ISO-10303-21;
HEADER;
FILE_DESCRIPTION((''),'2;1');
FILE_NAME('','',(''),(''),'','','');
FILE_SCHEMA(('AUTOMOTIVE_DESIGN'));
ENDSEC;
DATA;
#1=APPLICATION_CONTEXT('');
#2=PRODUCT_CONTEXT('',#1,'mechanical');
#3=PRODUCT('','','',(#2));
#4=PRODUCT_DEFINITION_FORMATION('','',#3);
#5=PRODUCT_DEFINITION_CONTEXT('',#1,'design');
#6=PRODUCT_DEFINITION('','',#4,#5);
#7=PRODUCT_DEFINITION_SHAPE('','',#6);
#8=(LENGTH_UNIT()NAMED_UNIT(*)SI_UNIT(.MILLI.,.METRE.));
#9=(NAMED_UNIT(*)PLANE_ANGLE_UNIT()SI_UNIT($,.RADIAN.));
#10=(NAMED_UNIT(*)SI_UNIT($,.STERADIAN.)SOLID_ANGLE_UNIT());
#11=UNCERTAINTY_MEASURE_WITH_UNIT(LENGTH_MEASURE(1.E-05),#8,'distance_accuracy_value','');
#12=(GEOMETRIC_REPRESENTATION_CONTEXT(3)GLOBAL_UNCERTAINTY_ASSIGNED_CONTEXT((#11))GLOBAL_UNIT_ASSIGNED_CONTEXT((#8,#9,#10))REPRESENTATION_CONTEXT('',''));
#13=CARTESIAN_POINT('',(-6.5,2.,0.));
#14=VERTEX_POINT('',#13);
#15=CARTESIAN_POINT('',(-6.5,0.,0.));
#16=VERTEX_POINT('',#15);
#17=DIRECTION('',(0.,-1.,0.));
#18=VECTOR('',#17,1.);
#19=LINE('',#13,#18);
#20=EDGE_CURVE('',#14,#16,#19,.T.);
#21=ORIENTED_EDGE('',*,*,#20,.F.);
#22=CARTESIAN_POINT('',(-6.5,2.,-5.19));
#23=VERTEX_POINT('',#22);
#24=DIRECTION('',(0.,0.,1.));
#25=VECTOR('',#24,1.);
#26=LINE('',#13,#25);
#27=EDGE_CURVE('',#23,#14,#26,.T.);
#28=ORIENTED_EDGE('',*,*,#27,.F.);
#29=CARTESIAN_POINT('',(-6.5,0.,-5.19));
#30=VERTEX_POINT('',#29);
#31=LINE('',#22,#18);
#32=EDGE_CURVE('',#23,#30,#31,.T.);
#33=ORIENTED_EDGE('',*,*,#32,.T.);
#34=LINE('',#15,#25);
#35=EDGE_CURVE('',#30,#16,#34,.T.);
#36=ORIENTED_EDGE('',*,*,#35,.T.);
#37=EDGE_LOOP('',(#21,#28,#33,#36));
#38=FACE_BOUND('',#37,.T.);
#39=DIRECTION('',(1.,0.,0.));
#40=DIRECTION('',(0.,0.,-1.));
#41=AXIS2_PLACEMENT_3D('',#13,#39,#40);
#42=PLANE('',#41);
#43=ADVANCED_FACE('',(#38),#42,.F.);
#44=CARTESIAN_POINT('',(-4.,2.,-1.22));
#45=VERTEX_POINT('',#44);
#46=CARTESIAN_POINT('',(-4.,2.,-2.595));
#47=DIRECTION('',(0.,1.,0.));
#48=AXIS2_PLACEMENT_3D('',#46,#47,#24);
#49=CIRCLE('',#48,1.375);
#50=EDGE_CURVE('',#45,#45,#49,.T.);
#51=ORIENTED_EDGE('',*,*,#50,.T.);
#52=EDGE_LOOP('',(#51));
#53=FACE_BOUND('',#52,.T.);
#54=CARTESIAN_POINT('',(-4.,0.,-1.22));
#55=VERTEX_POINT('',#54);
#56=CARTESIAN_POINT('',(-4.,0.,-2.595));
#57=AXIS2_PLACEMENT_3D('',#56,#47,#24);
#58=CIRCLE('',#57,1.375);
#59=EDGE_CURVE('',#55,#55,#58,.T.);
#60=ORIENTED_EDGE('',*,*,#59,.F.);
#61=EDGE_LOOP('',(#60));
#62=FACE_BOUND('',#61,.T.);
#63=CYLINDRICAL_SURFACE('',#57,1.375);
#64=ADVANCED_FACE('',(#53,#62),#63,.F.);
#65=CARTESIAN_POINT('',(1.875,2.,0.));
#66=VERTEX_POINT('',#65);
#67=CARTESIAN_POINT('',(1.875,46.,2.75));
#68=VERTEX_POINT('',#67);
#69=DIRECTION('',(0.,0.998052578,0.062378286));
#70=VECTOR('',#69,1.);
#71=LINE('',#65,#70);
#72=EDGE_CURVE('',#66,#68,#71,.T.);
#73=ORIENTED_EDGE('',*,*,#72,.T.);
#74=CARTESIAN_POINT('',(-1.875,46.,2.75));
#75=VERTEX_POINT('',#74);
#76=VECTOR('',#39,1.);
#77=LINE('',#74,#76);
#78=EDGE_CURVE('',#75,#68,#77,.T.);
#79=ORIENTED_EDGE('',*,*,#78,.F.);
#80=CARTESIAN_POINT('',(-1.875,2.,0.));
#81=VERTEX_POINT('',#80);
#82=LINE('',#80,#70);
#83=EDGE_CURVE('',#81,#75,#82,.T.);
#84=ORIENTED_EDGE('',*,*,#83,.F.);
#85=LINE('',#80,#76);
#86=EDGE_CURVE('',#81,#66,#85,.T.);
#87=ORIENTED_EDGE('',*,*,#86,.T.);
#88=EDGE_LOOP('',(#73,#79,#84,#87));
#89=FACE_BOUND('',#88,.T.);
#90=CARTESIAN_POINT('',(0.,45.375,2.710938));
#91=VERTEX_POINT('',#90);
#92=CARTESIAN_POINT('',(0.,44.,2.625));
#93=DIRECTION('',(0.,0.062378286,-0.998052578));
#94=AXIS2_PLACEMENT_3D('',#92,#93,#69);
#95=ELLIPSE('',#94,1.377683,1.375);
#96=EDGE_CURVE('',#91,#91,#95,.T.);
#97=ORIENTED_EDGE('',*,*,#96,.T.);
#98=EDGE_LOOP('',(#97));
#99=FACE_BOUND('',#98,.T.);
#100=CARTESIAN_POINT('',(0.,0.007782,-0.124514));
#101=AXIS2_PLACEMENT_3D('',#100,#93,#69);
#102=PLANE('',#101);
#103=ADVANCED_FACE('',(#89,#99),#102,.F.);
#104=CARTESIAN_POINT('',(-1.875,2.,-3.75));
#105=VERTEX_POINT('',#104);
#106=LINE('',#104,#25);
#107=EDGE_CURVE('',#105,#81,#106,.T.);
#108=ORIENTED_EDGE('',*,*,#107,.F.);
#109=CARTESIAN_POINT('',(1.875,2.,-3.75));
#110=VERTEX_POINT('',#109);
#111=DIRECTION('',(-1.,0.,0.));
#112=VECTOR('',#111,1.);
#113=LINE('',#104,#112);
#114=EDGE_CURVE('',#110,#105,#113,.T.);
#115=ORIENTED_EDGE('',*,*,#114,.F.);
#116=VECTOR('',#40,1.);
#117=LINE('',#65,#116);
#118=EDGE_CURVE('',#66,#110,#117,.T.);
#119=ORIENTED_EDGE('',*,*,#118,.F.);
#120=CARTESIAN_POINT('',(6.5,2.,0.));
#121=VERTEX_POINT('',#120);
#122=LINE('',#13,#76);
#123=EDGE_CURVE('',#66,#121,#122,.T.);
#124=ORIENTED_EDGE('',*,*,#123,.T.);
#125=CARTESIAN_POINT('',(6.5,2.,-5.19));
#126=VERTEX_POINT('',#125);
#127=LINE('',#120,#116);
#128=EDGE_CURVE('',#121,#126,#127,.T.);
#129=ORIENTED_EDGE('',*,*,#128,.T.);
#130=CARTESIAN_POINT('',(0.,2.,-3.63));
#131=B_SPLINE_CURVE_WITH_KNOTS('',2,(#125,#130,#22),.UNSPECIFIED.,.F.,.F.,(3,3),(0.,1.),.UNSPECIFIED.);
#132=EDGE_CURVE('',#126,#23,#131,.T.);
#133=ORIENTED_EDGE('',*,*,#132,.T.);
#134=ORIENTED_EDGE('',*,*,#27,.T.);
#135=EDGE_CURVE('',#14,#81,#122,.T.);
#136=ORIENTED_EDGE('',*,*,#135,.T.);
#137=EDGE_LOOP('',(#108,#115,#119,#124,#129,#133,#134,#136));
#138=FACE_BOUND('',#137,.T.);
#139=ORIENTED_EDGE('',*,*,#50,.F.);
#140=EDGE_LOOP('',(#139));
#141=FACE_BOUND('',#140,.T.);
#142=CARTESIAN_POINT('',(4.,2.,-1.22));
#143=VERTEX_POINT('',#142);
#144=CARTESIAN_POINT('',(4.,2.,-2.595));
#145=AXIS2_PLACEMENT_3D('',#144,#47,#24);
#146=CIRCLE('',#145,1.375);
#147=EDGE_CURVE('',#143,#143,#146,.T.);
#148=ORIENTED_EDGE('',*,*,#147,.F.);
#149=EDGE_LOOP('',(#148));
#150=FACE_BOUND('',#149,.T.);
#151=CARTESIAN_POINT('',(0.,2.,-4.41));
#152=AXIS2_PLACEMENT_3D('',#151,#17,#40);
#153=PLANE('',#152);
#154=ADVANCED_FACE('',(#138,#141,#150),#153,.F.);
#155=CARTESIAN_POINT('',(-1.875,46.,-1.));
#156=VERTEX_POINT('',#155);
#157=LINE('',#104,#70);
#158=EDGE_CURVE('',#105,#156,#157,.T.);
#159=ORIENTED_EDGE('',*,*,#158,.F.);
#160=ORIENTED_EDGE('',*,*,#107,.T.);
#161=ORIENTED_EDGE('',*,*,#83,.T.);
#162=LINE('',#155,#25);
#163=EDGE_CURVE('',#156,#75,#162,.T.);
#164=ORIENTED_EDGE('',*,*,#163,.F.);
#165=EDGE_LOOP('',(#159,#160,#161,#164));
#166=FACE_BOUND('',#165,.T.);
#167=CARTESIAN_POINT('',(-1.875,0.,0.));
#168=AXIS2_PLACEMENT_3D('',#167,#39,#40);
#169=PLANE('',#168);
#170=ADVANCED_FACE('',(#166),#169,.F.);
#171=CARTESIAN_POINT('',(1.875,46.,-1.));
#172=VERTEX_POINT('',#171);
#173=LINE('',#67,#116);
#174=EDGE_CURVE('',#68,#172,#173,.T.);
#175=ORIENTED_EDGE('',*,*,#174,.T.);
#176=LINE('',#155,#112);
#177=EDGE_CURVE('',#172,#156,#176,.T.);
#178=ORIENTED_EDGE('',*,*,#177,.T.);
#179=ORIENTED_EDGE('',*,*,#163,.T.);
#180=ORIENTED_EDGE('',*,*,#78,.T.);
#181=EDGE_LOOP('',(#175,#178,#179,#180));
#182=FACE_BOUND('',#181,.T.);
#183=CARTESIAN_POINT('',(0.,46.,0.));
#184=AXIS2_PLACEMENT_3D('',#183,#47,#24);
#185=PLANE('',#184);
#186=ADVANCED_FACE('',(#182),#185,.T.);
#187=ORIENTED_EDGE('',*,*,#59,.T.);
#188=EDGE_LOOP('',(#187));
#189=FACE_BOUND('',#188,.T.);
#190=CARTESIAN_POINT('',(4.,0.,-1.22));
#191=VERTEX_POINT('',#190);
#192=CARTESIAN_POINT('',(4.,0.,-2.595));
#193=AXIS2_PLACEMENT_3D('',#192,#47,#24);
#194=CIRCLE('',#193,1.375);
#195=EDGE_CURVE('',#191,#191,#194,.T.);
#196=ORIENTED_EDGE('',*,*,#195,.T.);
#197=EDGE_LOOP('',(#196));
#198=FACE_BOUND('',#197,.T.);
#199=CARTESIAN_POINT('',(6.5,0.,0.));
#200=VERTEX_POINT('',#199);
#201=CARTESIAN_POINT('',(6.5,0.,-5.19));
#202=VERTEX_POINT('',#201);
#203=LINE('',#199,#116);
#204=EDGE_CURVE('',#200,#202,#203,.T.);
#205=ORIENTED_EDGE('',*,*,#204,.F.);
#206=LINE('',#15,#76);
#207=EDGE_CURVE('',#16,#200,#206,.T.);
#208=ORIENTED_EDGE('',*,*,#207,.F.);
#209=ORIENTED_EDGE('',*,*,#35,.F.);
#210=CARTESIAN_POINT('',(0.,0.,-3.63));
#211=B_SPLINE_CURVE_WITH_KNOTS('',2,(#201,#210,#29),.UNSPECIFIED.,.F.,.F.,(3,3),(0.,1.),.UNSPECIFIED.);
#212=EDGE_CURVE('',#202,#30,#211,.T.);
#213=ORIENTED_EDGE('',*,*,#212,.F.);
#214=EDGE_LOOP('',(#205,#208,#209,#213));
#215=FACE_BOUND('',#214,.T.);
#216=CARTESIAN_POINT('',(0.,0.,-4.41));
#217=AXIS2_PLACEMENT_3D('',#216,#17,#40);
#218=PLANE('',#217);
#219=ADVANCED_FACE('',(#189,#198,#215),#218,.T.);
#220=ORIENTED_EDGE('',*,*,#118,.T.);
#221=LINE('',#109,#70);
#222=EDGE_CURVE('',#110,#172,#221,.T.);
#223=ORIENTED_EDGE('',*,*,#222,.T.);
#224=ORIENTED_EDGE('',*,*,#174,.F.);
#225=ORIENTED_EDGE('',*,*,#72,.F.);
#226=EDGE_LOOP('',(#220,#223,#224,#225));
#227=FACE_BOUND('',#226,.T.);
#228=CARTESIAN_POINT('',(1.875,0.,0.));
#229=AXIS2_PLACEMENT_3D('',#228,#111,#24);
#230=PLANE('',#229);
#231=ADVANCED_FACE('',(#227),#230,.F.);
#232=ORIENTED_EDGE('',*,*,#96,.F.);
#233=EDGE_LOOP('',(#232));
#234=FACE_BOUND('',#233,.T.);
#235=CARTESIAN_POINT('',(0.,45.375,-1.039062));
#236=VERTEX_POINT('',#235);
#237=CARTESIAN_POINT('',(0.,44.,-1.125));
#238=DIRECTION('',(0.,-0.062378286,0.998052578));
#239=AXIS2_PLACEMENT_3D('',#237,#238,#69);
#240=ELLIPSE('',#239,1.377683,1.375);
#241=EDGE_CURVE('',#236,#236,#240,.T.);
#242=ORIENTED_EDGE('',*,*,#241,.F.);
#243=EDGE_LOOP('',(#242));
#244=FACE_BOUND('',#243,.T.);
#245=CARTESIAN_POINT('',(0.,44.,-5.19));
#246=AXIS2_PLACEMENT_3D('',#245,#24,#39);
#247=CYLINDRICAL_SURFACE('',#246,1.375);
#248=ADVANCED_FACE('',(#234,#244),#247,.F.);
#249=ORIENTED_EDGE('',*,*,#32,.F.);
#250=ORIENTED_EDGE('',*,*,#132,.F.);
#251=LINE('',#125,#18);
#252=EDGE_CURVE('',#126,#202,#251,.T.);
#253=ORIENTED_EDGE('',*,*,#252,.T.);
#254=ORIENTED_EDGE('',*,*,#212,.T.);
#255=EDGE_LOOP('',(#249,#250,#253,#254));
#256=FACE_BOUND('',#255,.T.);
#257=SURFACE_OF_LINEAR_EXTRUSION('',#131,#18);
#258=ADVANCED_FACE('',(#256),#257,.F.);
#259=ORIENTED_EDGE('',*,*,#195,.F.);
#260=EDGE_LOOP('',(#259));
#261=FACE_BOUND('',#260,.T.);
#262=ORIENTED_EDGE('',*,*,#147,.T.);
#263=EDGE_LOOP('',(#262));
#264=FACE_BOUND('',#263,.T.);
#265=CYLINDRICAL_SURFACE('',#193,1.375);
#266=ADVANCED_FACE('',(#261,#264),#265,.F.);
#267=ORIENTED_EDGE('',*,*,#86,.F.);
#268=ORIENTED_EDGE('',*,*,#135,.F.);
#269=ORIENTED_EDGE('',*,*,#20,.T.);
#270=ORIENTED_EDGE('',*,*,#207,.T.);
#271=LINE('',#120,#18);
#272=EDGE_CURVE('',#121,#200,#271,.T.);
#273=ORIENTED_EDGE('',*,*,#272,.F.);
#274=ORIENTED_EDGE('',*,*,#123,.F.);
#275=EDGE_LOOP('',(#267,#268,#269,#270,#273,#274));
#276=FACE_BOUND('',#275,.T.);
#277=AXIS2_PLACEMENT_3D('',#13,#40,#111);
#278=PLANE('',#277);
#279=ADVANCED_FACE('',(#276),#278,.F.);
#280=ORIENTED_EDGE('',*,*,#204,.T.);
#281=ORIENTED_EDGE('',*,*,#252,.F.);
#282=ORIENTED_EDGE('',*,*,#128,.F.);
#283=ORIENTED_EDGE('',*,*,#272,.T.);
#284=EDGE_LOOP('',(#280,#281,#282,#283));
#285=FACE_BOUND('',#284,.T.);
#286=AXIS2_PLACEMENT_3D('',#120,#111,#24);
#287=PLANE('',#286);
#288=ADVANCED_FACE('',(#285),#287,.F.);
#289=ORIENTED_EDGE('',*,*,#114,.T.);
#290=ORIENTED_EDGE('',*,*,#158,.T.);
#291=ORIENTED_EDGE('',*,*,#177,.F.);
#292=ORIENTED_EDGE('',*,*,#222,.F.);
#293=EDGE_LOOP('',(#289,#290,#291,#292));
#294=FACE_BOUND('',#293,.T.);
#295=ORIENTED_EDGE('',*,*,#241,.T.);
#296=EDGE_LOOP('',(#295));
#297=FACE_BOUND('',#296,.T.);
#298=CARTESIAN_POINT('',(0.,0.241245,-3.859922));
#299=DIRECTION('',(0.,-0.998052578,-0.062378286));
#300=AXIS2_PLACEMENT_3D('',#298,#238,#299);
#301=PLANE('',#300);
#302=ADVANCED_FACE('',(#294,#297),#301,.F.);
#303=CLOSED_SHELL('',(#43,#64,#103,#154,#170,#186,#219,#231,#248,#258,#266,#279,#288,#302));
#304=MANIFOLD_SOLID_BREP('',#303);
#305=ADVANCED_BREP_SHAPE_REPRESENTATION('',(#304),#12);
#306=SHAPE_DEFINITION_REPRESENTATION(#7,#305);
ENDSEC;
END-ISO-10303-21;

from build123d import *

# Parameters (mm, degrees)
BOSS_EXTRUDE1_DEPTH     = 2
SKETCH2_R               = 1.375
CUT_EXTRUDE1_DEPTH      = 2
CUT_EXTRUDE3_DEPTH      = 47.745974282
CUT_EXTRUDE3_DEPTH_BACK = 47.745974282
SKETCH12_R              = 1.375


with BuildPart() as part:
    # Sketch1 → Boss-Extrude1 (new body)
    with BuildSketch(Plane(origin=(0, 0, 0), x_dir=(1, 0, 0), z_dir=(0, 1, 0))):
        with BuildLine():
            Line((-6.5, 0), (6.5, 0))
            Line((6.5, 0), (6.5, 5.19))
            add(Edge.make_bspline(
                [(-6.5, 5.19), (0, 3.63), (6.5, 5.19)],
                knots=[0, 0, 0, 1, 1, 1], degree=2))
            Line((-6.5, 5.19), (-6.5, 0))
        make_face()
    extrude(amount=BOSS_EXTRUDE1_DEPTH)

    # Sketch2 → Cut-Extrude1 (cut)
    with BuildSketch(Plane(origin=(0, 2, 0), x_dir=(1, 0, 0), z_dir=(0, 1, 0))):
        with Locations(Location((-4, 2.595, 0), (0, 0, 270))):
            Circle(SKETCH2_R)
        with Locations(Location((4, 2.595, 0), (0, 0, 270))):
            Circle(SKETCH2_R)
    extrude(amount=-CUT_EXTRUDE1_DEPTH, mode=Mode.SUBTRACT)

    # Sketch4 → Loft2 section 0
    with BuildSketch(Plane(origin=(0, 2, 0), x_dir=(1, 0, 0), z_dir=(0, 1, 0))):
        with BuildLine():
            Line((-1.875, 3.75), (1.875, 3.75))
            Line((1.875, 3.75), (1.875, 0))
            Line((1.875, 0), (-1.875, 0))
            Line((-1.875, 0), (-1.875, 3.75))
        make_face()
    # Sketch6 → Loft2 section 1
    with BuildSketch(Plane(origin=(0, 46, 0), x_dir=(1, 0, 0), z_dir=(0, 1, 0))):
        with BuildLine():
            Line((-1.875, 1), (1.875, 1))
            Line((1.875, 1), (1.875, -2.75))
            Line((1.875, -2.75), (-1.875, -2.75))
            Line((-1.875, -2.75), (-1.875, 1))
        make_face()
    loft()

    # Sketch12 → Cut-Extrude3 (cut, two sides: drawn at the far end of the back side and taken through both)
    with BuildSketch(Plane.XY.offset(-CUT_EXTRUDE3_DEPTH_BACK)):
        with Locations(Location((0, 44, 0), (0, 0, 90))):
            Circle(SKETCH12_R)
    extrude(amount=CUT_EXTRUDE3_DEPTH + CUT_EXTRUDE3_DEPTH_BACK, mode=Mode.SUBTRACT)


solid = part.part
